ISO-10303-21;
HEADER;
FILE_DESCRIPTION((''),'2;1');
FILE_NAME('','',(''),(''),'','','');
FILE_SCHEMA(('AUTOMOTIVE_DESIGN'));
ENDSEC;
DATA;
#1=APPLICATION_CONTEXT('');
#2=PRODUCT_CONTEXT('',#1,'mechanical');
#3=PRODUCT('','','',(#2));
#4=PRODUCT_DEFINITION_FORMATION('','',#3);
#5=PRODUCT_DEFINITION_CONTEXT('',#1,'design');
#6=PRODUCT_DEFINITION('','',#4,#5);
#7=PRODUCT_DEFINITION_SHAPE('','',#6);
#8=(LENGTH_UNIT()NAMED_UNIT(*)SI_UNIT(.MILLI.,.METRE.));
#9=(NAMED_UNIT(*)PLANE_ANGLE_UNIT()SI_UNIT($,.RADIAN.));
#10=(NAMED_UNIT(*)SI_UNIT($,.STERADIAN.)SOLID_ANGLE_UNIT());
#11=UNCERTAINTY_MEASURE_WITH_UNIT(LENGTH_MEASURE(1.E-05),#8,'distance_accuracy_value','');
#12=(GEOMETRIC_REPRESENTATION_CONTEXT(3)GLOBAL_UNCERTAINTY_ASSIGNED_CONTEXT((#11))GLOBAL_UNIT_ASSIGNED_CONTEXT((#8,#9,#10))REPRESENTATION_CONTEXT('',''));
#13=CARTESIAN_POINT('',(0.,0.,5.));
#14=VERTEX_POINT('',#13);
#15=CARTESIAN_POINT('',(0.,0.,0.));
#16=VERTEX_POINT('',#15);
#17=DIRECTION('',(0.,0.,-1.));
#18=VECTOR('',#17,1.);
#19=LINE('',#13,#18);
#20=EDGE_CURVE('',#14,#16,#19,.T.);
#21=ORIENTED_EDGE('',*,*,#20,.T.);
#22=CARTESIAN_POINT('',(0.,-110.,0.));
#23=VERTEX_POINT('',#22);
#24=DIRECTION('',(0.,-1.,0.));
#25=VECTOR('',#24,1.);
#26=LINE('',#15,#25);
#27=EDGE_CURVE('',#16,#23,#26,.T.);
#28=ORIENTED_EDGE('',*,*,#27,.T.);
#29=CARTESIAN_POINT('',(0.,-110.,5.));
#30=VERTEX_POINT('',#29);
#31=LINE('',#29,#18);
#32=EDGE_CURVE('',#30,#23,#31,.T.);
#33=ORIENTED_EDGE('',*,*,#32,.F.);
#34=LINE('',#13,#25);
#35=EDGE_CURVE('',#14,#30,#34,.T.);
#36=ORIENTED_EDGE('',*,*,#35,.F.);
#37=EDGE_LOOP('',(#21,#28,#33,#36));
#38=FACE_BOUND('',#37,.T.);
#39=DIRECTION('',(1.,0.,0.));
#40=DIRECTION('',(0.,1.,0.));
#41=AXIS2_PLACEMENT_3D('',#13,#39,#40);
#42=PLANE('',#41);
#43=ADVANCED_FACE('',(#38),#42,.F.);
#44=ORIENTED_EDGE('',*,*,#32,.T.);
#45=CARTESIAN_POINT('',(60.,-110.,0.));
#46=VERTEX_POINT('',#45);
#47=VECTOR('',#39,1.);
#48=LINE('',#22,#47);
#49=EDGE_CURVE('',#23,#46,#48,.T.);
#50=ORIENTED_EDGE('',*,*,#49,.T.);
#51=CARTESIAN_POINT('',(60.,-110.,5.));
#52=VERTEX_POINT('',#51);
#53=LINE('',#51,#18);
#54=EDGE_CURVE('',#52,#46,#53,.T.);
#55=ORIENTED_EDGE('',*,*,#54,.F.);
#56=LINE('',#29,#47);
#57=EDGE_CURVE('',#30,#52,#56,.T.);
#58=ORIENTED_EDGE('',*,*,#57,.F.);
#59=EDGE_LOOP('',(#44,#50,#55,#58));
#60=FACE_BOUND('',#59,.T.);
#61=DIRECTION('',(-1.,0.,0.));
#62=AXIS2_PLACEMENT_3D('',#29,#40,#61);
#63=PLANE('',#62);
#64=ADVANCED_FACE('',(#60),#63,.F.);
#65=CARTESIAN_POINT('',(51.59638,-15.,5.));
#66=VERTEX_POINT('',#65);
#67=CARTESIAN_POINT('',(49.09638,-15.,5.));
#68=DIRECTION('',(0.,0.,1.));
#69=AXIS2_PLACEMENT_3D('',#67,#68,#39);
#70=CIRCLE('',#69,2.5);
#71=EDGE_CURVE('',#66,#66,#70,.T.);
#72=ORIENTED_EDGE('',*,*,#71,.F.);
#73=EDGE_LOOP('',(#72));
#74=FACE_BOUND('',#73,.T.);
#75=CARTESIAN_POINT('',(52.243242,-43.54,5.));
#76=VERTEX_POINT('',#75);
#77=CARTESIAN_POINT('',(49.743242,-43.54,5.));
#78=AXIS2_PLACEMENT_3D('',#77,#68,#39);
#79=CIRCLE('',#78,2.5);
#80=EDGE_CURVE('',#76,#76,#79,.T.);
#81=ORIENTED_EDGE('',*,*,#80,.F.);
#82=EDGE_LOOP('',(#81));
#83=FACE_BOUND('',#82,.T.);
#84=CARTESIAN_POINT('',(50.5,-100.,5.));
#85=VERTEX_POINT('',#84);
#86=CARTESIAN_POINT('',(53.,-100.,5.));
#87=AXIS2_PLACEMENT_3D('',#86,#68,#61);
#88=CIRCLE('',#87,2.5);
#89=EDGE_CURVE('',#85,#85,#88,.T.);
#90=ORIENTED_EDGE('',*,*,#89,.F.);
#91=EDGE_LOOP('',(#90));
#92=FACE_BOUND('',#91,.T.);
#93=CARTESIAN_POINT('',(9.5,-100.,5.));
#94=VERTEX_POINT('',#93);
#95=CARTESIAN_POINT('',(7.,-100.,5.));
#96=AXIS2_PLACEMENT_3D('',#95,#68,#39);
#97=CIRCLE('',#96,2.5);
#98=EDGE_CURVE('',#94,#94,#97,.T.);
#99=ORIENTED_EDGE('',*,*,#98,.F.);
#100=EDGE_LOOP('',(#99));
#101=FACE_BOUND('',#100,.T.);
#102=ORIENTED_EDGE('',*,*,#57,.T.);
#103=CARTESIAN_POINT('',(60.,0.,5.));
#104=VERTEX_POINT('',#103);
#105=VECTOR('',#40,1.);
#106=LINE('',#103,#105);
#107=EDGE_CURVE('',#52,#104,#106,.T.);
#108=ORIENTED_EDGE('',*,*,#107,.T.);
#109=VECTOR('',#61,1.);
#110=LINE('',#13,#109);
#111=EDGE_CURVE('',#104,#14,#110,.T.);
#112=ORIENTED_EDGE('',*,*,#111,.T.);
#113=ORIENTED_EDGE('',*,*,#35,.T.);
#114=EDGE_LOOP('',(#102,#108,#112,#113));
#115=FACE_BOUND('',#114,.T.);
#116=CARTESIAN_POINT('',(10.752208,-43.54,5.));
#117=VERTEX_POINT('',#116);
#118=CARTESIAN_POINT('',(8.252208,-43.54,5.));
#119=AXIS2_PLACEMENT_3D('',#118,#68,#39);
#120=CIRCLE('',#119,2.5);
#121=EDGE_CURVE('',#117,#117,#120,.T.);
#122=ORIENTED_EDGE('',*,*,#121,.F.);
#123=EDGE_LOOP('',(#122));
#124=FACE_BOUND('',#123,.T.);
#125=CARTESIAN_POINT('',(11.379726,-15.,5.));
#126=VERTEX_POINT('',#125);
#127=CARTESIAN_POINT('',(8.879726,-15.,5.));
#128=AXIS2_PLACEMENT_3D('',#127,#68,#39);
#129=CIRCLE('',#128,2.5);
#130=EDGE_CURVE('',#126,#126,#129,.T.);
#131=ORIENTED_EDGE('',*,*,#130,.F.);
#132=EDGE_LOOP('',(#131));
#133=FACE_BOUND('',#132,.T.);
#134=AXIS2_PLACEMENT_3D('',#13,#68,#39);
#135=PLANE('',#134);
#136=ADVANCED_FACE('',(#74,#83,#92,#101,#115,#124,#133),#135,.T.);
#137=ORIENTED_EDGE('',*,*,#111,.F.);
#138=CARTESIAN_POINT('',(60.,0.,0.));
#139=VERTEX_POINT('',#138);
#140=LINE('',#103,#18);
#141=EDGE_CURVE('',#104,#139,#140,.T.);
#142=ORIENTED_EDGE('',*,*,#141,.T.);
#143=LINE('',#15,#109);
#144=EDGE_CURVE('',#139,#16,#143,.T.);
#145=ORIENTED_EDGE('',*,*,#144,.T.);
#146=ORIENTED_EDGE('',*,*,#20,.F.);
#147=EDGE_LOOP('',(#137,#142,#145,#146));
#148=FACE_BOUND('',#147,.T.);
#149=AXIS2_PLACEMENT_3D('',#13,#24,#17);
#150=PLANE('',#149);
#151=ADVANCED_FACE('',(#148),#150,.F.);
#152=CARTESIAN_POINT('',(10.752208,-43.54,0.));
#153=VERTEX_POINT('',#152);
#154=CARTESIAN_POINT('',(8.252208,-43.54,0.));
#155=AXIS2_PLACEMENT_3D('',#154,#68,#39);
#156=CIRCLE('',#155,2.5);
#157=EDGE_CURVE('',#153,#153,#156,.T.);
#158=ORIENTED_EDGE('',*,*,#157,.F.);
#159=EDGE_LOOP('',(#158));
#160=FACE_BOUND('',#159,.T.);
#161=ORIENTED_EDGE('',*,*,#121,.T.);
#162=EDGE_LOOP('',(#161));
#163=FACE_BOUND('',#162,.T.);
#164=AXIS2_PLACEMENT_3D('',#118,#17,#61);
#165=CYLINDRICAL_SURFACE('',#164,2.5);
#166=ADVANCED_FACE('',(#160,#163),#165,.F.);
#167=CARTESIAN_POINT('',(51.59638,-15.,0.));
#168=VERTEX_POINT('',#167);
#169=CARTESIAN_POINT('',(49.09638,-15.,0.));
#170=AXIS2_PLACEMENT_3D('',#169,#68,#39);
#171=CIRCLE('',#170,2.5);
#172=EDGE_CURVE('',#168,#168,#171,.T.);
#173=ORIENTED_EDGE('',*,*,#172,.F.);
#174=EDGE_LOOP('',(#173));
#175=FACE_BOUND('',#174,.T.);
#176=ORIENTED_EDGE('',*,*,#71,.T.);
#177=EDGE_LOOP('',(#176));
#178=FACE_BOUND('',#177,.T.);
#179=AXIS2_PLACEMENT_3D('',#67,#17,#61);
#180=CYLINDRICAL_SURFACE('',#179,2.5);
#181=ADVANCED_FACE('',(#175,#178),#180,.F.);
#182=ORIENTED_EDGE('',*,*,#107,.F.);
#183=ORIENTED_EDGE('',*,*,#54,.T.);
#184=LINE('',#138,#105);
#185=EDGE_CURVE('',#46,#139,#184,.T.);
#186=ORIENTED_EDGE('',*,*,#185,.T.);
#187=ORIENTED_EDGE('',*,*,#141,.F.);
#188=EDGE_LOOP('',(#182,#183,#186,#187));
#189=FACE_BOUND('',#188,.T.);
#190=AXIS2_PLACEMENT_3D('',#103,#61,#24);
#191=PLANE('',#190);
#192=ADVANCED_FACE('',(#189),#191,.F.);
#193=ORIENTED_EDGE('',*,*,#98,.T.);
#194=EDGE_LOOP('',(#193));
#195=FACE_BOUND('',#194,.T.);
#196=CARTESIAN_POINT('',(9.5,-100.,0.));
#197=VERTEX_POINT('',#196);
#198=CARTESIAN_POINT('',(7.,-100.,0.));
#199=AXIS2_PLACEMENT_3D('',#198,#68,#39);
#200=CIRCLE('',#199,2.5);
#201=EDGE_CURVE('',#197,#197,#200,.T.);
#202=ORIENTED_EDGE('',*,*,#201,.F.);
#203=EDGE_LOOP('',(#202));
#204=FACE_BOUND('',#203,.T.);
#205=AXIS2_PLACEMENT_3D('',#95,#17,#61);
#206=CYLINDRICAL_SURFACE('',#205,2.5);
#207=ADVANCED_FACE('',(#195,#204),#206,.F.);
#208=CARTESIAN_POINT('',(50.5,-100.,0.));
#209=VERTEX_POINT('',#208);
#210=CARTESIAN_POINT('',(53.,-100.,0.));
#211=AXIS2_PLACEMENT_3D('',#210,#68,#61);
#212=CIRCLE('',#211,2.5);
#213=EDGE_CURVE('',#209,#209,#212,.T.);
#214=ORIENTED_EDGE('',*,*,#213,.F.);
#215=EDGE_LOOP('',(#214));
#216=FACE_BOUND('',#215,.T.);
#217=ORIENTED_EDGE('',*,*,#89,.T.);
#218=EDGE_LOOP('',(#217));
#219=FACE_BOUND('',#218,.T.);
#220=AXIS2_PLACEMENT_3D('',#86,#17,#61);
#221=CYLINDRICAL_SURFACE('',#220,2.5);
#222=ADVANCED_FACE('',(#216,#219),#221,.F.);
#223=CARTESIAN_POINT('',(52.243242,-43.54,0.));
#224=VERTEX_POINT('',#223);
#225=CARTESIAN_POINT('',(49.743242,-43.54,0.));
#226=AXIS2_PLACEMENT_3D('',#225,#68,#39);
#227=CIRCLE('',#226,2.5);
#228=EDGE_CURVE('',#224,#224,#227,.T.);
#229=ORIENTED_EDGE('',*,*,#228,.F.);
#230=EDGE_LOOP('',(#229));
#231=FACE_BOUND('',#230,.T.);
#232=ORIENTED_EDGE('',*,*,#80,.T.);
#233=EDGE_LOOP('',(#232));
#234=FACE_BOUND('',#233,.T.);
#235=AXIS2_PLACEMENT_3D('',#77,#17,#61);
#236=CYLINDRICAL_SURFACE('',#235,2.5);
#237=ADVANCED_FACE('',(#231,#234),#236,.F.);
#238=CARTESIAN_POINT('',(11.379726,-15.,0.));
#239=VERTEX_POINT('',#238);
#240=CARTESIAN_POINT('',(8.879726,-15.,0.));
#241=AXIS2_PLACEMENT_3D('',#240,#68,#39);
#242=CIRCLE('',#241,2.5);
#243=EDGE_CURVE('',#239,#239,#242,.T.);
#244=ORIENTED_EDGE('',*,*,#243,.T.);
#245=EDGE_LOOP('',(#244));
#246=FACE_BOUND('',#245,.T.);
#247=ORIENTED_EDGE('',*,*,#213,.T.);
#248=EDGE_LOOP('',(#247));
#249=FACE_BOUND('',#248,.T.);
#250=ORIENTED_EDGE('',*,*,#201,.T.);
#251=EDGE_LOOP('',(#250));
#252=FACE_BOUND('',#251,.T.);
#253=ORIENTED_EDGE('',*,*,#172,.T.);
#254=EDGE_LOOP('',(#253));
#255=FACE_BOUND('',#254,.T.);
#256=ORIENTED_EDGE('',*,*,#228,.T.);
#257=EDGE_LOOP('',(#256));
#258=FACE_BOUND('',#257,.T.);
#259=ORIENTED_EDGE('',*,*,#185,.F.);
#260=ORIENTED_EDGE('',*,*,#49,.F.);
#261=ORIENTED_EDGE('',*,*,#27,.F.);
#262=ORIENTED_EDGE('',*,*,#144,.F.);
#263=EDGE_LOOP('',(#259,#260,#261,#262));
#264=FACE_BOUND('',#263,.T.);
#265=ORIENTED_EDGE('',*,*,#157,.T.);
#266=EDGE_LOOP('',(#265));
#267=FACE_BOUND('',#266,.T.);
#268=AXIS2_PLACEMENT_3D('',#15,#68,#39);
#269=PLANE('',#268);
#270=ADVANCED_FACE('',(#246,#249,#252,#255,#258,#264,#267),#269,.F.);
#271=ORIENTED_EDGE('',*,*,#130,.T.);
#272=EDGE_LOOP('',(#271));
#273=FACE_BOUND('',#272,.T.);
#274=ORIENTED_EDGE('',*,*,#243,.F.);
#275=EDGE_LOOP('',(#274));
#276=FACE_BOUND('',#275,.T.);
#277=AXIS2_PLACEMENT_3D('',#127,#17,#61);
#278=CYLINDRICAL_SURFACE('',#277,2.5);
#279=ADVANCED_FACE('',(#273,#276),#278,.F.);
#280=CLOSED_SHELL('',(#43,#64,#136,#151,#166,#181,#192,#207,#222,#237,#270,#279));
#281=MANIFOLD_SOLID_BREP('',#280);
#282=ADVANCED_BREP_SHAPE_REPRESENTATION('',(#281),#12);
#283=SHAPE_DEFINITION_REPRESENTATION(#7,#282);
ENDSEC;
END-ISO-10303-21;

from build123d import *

# Parameters (mm, degrees)
SKETCH1_W           = 60
SKETCH1_H           = 110
SKETCH1_R           = 2.5
BOSS_EXTRUDE1_DEPTH = 5


with BuildPart() as part:
    # Sketch1 → Boss-Extrude1 (new body)
    with BuildSketch(Plane.XY):
        with Locations((30, -55)):
            Rectangle(SKETCH1_W, SKETCH1_H)
        with Locations((8.879726404, -15)):
            Circle(SKETCH1_R, mode=Mode.SUBTRACT)
        with Locations((49.096380092, -15)):
            Circle(SKETCH1_R, mode=Mode.SUBTRACT)
        with Locations((49.743242135, -43.54)):
            Circle(SKETCH1_R, mode=Mode.SUBTRACT)
        with Locations((8.252207519, -43.54)):
            Circle(SKETCH1_R, mode=Mode.SUBTRACT)
        with Locations((7, -100)):
            Circle(SKETCH1_R, mode=Mode.SUBTRACT)
        with Locations(Location((53, -100, 0), (0, 0, 180))):
            Circle(SKETCH1_R, mode=Mode.SUBTRACT)
    extrude(amount=BOSS_EXTRUDE1_DEPTH)


solid = part.part
